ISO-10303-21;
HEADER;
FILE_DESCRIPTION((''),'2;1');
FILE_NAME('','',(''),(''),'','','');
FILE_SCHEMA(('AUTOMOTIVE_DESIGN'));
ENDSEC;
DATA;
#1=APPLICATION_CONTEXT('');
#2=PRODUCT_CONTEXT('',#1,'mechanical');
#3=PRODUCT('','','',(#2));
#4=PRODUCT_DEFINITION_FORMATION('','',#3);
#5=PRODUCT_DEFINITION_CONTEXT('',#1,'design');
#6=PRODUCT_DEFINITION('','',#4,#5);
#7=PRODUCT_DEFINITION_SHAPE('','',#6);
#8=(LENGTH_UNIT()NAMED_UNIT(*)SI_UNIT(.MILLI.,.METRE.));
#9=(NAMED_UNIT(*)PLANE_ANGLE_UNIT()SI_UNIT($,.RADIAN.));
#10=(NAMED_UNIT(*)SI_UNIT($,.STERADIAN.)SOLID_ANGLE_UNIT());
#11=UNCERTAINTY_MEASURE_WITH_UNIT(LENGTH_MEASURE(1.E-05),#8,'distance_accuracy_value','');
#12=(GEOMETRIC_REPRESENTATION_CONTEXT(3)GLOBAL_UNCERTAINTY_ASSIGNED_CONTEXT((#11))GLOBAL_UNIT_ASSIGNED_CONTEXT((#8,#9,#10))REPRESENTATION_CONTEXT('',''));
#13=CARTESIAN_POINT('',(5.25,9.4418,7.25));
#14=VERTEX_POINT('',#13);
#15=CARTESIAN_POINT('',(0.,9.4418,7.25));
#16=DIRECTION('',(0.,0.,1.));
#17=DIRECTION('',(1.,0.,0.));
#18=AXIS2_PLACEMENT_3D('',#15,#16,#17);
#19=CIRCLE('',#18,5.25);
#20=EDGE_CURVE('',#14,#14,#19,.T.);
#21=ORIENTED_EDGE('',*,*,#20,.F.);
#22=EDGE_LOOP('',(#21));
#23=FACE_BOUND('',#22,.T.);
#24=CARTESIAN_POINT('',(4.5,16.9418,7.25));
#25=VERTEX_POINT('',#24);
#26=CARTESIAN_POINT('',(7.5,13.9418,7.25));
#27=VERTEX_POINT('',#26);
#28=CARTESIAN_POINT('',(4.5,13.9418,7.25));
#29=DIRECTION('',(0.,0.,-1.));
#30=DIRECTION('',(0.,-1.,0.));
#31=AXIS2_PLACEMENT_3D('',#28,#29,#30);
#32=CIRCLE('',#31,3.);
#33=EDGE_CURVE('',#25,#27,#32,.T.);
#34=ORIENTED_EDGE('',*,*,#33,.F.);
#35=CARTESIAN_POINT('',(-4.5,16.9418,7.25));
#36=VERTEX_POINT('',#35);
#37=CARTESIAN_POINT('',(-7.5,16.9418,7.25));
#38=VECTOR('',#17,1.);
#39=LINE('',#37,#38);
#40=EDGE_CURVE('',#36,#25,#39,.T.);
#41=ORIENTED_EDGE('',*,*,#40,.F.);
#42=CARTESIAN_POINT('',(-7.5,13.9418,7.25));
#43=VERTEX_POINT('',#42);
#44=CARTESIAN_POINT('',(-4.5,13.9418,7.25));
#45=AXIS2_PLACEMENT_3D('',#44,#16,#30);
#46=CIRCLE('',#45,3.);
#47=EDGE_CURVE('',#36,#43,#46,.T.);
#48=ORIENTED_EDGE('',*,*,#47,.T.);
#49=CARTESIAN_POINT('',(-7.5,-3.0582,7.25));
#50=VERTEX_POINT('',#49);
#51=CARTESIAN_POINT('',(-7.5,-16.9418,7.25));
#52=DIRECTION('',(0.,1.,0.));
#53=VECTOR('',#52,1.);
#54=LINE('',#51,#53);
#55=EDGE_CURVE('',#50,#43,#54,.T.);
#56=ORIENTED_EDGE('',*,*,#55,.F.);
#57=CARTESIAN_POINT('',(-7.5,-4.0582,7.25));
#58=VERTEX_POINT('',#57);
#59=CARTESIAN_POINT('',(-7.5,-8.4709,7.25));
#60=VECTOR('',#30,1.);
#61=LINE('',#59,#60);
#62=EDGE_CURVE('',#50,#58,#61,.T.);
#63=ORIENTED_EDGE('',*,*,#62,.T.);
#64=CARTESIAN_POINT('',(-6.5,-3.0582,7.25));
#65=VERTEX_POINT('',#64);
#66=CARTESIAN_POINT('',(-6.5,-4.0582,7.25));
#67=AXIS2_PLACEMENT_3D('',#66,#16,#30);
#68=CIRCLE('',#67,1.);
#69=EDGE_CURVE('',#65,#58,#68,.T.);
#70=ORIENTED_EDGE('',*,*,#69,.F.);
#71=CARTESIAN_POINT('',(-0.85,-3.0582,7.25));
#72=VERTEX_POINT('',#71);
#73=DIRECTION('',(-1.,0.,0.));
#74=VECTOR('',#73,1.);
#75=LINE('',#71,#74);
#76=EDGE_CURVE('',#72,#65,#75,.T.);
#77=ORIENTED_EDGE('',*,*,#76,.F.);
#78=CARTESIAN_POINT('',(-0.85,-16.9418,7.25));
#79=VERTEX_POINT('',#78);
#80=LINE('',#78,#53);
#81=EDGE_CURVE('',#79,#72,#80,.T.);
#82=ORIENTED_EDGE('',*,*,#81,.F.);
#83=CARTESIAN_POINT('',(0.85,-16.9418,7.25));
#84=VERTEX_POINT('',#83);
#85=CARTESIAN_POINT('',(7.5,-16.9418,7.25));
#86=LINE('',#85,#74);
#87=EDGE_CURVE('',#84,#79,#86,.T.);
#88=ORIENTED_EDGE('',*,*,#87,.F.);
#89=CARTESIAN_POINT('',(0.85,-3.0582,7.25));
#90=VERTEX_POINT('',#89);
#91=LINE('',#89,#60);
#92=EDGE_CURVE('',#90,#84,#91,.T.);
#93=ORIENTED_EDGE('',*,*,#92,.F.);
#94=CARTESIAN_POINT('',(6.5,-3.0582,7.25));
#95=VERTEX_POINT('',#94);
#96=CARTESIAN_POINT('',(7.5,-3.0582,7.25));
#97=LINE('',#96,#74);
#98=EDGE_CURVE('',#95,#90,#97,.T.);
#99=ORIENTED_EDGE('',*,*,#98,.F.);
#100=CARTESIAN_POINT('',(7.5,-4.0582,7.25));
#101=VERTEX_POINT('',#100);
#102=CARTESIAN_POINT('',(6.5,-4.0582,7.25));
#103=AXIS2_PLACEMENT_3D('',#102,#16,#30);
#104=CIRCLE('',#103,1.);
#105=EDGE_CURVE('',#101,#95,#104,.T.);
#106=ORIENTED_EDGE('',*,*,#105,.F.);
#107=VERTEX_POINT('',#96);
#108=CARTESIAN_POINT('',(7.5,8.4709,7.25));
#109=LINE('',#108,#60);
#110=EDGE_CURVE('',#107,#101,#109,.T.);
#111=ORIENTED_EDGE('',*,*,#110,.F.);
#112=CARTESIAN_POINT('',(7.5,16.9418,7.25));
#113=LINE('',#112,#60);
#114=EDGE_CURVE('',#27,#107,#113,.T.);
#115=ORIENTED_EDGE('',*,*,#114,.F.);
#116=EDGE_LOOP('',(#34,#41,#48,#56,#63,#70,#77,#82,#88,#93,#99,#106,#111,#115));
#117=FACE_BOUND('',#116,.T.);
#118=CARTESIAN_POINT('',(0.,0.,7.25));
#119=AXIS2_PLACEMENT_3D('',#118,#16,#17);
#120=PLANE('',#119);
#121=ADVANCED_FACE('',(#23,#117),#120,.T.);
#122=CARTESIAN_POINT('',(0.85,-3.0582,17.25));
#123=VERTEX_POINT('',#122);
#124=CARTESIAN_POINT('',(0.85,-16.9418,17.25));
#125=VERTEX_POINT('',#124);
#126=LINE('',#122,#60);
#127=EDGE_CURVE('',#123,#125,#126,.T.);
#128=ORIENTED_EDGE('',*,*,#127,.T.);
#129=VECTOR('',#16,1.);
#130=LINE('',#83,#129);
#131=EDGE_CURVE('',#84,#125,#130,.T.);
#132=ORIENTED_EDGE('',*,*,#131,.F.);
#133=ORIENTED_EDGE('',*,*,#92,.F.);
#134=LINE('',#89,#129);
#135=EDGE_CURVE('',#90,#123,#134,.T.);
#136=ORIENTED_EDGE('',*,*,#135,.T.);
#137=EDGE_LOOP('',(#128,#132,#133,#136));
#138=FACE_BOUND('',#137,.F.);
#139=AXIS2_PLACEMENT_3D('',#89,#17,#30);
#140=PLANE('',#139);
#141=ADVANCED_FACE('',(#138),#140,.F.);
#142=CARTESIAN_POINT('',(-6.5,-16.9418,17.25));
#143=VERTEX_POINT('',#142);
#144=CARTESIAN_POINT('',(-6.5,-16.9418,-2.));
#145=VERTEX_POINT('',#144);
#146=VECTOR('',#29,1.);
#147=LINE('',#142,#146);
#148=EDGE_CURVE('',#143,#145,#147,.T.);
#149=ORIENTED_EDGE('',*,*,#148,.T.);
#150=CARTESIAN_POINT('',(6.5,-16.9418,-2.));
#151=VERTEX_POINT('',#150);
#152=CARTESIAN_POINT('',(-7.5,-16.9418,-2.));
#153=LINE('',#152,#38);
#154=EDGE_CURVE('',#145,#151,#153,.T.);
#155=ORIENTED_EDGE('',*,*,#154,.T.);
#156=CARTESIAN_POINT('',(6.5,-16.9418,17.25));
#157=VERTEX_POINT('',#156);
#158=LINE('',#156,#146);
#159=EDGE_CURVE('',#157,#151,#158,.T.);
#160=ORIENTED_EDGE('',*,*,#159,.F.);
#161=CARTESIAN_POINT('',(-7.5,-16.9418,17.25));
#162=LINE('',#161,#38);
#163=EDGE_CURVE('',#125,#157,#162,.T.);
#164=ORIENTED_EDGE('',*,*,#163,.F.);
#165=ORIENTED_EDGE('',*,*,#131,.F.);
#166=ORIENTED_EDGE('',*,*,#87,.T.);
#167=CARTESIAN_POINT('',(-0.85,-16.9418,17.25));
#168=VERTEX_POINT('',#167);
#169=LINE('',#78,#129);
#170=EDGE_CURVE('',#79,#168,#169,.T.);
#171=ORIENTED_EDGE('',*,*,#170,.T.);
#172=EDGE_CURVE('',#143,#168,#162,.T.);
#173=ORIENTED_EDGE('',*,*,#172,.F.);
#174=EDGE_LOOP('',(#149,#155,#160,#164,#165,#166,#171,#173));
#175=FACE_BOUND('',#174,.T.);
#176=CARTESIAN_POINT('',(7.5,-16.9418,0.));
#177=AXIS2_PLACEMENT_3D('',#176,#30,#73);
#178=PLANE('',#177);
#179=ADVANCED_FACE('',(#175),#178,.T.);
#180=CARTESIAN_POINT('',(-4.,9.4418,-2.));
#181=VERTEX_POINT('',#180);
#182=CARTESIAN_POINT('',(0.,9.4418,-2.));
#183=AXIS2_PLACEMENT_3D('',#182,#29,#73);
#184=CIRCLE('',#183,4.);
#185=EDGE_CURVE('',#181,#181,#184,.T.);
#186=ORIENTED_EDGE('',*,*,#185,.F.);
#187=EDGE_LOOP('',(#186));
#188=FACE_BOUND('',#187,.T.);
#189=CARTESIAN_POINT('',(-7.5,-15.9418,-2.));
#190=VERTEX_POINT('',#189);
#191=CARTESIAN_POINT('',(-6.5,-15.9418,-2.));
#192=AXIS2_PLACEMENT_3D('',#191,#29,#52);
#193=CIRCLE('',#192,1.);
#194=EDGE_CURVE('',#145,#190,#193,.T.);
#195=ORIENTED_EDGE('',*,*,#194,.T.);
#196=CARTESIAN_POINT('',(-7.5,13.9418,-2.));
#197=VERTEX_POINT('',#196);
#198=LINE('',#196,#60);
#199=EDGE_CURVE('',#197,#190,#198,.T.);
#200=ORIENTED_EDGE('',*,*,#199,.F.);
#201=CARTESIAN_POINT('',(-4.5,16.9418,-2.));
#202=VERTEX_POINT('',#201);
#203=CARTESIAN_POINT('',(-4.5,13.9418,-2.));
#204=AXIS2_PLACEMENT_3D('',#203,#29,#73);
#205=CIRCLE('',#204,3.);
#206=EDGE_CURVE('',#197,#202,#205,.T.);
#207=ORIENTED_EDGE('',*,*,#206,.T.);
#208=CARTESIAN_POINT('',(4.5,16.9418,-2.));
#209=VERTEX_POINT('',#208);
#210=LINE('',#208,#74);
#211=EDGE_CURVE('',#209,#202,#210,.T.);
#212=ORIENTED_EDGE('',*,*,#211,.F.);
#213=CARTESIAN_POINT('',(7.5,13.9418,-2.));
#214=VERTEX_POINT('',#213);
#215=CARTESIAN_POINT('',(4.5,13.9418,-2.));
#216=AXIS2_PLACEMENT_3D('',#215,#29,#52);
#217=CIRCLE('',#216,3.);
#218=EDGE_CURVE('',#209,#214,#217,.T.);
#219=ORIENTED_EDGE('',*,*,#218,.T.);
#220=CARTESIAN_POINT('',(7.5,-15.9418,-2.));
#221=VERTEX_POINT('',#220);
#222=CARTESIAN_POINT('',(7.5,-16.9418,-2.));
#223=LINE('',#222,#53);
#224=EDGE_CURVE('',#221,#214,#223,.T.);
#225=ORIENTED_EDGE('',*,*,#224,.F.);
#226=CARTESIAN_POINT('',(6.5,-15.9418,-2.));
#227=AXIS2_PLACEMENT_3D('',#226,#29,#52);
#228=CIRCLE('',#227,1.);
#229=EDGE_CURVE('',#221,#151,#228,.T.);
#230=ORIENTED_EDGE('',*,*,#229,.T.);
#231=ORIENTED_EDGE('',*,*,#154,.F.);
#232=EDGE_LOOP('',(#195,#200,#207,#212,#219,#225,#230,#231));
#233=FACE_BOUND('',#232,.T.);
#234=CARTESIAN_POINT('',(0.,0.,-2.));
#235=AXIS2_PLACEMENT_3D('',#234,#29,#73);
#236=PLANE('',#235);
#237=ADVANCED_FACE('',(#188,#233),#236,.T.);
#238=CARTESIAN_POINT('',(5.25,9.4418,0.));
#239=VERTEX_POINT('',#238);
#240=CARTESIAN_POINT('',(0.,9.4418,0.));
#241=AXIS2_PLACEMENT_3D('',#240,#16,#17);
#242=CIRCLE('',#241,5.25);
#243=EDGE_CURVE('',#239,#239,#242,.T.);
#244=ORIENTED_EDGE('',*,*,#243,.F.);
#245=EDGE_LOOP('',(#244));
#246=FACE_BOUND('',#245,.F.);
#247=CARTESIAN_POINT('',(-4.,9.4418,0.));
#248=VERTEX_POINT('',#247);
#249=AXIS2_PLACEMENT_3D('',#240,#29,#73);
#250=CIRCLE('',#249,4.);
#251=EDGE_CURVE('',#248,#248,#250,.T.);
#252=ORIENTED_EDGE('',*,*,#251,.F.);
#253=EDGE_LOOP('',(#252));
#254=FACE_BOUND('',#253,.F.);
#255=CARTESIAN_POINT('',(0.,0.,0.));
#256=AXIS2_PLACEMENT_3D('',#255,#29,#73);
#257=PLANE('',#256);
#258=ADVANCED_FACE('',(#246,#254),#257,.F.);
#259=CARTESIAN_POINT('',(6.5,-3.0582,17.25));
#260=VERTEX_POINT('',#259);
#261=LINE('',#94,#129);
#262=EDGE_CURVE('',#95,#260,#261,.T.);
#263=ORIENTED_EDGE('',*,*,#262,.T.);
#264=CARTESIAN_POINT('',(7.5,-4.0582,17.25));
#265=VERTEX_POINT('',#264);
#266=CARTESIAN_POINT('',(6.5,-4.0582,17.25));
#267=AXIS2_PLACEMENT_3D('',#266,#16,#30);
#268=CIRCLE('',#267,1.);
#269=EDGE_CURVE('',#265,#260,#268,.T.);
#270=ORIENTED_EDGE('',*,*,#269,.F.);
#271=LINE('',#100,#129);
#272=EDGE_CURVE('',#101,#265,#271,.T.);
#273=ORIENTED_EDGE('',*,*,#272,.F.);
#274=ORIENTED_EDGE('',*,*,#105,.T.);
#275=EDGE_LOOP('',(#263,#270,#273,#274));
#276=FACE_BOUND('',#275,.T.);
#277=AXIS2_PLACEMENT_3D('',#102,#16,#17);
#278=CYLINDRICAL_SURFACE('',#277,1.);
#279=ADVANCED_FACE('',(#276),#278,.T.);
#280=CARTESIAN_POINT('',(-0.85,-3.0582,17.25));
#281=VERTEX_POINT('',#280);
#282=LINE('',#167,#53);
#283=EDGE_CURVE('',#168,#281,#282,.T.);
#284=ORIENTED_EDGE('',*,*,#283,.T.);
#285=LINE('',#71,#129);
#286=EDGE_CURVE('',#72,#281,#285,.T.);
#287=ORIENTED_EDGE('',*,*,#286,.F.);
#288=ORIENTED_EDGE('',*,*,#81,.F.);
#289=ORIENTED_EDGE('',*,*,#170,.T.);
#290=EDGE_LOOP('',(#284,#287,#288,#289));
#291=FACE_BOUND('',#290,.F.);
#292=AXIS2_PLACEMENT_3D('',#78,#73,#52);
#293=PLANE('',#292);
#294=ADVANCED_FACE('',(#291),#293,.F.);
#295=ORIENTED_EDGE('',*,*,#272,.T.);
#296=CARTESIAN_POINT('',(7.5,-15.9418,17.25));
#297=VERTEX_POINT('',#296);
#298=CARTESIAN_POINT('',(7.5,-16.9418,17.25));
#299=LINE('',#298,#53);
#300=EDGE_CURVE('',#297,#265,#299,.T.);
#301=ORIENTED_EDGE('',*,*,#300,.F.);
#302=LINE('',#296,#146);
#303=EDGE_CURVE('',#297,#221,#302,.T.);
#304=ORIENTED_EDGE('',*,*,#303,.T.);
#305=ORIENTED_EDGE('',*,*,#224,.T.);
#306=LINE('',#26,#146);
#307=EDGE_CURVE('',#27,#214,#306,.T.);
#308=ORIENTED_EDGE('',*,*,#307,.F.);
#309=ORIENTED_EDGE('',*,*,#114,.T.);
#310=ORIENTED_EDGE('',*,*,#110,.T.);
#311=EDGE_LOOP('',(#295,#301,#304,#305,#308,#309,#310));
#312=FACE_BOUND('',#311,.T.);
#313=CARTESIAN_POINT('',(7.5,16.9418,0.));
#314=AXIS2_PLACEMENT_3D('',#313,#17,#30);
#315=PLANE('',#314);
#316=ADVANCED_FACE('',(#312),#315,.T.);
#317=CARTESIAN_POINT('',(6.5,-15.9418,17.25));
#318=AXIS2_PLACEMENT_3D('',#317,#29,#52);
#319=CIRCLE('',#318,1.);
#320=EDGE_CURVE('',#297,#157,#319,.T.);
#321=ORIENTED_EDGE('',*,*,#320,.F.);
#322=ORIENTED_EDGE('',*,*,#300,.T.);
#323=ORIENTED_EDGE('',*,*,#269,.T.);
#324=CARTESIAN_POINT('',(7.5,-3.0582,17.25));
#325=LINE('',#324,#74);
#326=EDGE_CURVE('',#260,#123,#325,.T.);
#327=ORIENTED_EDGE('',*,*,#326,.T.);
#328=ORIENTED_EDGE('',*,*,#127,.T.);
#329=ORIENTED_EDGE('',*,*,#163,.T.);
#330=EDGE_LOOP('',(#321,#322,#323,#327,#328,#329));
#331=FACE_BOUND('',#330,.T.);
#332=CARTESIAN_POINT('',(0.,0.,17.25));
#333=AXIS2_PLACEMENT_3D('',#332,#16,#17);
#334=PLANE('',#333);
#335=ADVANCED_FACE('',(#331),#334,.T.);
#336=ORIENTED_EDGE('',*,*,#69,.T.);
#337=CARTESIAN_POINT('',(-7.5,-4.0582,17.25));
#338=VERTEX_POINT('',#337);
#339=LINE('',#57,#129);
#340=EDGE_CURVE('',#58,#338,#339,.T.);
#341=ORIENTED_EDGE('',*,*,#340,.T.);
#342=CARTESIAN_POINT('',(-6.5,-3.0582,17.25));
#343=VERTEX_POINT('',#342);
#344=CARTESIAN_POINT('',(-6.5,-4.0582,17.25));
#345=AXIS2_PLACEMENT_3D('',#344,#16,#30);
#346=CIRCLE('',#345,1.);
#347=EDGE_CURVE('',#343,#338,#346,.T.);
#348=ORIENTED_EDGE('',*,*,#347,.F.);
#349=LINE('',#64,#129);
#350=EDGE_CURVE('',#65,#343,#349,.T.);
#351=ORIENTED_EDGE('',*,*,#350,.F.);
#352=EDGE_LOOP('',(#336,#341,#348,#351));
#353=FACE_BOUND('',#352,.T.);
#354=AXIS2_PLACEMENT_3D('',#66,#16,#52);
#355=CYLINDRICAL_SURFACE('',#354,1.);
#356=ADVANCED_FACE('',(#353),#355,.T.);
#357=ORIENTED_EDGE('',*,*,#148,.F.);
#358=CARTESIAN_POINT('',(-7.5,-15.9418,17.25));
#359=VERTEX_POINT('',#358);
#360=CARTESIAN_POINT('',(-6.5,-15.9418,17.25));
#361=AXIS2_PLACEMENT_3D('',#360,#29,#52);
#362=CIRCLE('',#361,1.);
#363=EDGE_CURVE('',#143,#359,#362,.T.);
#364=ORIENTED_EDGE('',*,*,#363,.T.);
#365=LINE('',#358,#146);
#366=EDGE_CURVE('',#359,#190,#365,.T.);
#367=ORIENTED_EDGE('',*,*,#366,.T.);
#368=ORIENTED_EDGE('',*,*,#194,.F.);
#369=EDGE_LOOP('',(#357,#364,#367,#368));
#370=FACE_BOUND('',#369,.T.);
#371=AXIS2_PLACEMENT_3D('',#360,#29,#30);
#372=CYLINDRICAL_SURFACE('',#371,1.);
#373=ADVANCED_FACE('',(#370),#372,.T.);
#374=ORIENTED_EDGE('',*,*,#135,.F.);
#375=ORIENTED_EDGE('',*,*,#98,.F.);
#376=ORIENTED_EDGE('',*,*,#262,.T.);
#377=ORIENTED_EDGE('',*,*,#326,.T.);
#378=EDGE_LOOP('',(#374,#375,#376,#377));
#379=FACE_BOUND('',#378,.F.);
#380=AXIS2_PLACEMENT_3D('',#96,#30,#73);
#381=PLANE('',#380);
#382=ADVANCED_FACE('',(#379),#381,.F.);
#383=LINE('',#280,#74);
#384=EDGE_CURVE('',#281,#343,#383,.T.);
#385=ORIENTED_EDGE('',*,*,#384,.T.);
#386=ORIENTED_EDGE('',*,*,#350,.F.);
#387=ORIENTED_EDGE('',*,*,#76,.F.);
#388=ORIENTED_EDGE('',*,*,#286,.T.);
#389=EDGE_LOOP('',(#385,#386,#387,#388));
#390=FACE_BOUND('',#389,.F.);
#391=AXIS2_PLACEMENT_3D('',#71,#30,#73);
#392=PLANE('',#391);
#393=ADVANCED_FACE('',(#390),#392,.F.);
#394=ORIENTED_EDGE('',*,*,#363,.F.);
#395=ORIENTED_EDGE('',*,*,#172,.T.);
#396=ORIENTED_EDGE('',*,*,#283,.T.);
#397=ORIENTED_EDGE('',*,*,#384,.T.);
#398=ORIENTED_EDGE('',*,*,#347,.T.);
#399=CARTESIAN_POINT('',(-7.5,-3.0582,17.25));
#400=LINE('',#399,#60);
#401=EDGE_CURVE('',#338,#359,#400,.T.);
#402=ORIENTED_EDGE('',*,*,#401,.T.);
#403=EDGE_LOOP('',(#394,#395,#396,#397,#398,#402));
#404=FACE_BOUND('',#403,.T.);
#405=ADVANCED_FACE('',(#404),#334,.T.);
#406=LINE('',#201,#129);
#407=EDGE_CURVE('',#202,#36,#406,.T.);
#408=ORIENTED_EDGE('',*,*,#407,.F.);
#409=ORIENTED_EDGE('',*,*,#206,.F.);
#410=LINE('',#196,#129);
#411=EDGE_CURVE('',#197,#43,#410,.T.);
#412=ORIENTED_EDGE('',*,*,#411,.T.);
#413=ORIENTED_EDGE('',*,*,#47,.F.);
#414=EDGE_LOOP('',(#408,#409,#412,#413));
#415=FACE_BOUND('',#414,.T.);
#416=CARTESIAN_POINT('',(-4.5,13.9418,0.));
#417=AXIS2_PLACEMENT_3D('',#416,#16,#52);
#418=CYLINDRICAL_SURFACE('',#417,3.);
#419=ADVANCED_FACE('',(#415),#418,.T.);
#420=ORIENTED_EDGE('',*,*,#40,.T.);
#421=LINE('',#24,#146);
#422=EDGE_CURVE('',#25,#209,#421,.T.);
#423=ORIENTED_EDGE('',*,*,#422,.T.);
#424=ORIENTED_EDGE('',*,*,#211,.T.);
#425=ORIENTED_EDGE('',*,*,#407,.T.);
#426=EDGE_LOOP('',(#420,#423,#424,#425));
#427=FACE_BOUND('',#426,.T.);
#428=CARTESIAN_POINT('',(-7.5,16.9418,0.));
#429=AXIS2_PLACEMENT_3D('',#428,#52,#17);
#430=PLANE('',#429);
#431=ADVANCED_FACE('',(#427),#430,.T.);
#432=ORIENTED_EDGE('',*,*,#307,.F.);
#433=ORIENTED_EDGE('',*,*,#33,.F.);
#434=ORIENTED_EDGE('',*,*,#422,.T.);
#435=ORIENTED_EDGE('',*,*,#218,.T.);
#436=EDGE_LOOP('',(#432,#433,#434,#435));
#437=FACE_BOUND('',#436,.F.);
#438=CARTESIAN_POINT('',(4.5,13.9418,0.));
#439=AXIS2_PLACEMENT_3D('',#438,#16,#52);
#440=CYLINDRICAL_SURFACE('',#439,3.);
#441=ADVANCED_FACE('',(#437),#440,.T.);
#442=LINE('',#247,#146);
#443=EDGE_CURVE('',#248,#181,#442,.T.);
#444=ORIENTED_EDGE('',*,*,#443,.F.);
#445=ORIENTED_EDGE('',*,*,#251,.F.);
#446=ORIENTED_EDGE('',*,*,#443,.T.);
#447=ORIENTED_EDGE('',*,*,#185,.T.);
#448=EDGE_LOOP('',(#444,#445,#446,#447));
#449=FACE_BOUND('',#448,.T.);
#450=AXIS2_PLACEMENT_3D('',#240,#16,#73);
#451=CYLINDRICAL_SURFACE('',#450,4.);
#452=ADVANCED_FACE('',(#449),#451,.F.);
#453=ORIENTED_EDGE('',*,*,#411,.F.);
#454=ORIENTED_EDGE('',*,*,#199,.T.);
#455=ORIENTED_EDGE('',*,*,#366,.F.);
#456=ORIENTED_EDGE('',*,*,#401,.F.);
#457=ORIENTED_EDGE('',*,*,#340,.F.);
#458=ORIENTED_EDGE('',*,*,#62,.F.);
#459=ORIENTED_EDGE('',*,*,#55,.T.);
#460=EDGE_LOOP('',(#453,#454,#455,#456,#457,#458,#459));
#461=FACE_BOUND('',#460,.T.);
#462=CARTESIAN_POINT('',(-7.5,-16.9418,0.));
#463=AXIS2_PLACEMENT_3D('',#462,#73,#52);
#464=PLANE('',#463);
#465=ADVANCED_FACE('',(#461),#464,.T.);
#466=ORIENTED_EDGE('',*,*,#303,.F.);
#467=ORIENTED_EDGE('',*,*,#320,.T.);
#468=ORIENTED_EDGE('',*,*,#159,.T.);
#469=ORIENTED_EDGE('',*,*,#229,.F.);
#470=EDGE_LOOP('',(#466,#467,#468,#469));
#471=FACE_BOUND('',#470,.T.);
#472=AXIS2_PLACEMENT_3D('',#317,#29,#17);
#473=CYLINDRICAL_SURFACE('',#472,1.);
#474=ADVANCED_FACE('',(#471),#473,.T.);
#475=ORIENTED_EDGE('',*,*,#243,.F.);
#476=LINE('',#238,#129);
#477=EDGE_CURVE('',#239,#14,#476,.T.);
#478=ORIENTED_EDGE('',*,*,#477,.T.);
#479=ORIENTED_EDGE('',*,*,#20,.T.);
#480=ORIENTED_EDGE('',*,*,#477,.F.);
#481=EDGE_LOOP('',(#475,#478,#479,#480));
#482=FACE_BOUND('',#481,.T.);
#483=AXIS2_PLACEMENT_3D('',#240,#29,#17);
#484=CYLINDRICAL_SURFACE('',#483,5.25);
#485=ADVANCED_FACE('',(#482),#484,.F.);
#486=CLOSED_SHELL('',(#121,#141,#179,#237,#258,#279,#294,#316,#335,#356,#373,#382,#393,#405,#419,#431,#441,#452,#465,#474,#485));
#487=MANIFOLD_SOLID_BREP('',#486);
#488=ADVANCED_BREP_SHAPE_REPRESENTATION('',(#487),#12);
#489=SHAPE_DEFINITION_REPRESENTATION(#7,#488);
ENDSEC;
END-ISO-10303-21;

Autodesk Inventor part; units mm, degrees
ref_plane "YZ Plane" through (0, 0, 0) normal (1, 0, 0) x (0, 1, 0)
ref_plane "XZ Plane" through (0, 0, 0) normal (0, 1, 0) x (-1, 0, 0)
ref_plane "XY Plane" through (0, 0, 0) normal (0, 0, 1) x (1, 0, 0)
sketch "Sketch1" plane through (0, 0, 0) normal (0, 0, 1) x (1, 0, 0)
  line L0 (-7.5, 16.9418) -> (7.5, 16.9418)
  line L1 (7.5, 16.9418) -> (7.5, -16.9418)
  line L2 (7.5, -16.9418) -> (-7.5, -16.9418)
  line L3 (-7.5, -16.9418) -> (-7.5, 16.9418)
  line L4 (-7.5, 16.9418) -> (7.5, -16.9418) construction
  line L5 (7.5, 16.9418) -> (-7.5, -16.9418) construction
  circle A0 centre (0, 9.4418) radius 5.25
  point P0 (0, 0)
  dimension "d0" = 10.5
  dimension "d1" = 7.5
  dimension "d2" = 15
extrude "Extrusion1" add sketch "Sketch1" along normal blind 7.25
fillet "Fillet1" radius 3 2 edges at (7.5, 16.9418, 3.625) (-7.5, 16.9418, 3.625)
sketch "Sketch2" plane through (0, 0, 0) normal (0, 0, -1) x (-1, 0, 0)
  arc A0 (7.5, 13.9418) -> (4.5, 16.9418) centre (4.5, 13.9418) ccw projected
  line L0 (-4.5, 16.9418) -> (4.5, 16.9418) projected
  arc A1 (-4.5, 16.9418) -> (-7.5, 13.9418) centre (-4.5, 13.9418) ccw projected
  line L1 (-7.5, -16.9418) -> (-7.5, 13.9418) projected
  line L2 (7.5, -16.9418) -> (-7.5, -16.9418) projected
  line L3 (7.5, 13.9418) -> (7.5, -16.9418) projected
  circle A2 centre (0, 9.4418) radius 5.25 projected
  circle A3 centre (0, 9.4418) radius 4
  point P0 (0, 0)
  dimension "d6" = 8
extrude "Extrusion2" add sketch "Sketch2" along normal blind 2 contours L3 L2 L1 A1 L0 A0 | A2
sketch "Sketch3" plane through (0, 0, 7.25) normal (0, 0, 1) x (1, 0, 0)
  line L0 (-7.5, -16.9418) -> (7.5, -16.9418) projected
  line L1 (-7.5, -16.9418) -> (-0.85, -16.9418)
  line L2 (-0.85, -16.9418) -> (-0.85, -3.0582)
  line L3 (-0.85, -3.0582) -> (-7.5, -3.0582)
  line L4 (-7.5, -3.0582) -> (-7.5, -16.9418)
  line L5 (7.5, -3.0582) -> (0.85, -3.0582)
  line L6 (0.85, -3.0582) -> (0.85, -16.9418)
  line L7 (0.85, -16.9418) -> (7.5, -16.9418)
  line L8 (7.5, -16.9418) -> (7.5, -3.0582)
  line L9 (4.5, 16.9418) -> (-4.5, 16.9418) projected
  point P0 (0, 0)
  point P1 (-0.85, -16.9418)
  dimension "d10" = 0.85
  dimension "d11" = 0.85
  dimension "d12" = 20
extrude "Extrusion3" add sketch "Sketch3" along normal blind 10
fillet "Fillet2" radius 1 4 edges at (7.5, -3.0582, 12.25) (7.5, -16.9418, 7.625) (-7.5, -16.9418, 7.625) (-7.5, -3.0582, 12.25)
properties part number "Solder_aid"
